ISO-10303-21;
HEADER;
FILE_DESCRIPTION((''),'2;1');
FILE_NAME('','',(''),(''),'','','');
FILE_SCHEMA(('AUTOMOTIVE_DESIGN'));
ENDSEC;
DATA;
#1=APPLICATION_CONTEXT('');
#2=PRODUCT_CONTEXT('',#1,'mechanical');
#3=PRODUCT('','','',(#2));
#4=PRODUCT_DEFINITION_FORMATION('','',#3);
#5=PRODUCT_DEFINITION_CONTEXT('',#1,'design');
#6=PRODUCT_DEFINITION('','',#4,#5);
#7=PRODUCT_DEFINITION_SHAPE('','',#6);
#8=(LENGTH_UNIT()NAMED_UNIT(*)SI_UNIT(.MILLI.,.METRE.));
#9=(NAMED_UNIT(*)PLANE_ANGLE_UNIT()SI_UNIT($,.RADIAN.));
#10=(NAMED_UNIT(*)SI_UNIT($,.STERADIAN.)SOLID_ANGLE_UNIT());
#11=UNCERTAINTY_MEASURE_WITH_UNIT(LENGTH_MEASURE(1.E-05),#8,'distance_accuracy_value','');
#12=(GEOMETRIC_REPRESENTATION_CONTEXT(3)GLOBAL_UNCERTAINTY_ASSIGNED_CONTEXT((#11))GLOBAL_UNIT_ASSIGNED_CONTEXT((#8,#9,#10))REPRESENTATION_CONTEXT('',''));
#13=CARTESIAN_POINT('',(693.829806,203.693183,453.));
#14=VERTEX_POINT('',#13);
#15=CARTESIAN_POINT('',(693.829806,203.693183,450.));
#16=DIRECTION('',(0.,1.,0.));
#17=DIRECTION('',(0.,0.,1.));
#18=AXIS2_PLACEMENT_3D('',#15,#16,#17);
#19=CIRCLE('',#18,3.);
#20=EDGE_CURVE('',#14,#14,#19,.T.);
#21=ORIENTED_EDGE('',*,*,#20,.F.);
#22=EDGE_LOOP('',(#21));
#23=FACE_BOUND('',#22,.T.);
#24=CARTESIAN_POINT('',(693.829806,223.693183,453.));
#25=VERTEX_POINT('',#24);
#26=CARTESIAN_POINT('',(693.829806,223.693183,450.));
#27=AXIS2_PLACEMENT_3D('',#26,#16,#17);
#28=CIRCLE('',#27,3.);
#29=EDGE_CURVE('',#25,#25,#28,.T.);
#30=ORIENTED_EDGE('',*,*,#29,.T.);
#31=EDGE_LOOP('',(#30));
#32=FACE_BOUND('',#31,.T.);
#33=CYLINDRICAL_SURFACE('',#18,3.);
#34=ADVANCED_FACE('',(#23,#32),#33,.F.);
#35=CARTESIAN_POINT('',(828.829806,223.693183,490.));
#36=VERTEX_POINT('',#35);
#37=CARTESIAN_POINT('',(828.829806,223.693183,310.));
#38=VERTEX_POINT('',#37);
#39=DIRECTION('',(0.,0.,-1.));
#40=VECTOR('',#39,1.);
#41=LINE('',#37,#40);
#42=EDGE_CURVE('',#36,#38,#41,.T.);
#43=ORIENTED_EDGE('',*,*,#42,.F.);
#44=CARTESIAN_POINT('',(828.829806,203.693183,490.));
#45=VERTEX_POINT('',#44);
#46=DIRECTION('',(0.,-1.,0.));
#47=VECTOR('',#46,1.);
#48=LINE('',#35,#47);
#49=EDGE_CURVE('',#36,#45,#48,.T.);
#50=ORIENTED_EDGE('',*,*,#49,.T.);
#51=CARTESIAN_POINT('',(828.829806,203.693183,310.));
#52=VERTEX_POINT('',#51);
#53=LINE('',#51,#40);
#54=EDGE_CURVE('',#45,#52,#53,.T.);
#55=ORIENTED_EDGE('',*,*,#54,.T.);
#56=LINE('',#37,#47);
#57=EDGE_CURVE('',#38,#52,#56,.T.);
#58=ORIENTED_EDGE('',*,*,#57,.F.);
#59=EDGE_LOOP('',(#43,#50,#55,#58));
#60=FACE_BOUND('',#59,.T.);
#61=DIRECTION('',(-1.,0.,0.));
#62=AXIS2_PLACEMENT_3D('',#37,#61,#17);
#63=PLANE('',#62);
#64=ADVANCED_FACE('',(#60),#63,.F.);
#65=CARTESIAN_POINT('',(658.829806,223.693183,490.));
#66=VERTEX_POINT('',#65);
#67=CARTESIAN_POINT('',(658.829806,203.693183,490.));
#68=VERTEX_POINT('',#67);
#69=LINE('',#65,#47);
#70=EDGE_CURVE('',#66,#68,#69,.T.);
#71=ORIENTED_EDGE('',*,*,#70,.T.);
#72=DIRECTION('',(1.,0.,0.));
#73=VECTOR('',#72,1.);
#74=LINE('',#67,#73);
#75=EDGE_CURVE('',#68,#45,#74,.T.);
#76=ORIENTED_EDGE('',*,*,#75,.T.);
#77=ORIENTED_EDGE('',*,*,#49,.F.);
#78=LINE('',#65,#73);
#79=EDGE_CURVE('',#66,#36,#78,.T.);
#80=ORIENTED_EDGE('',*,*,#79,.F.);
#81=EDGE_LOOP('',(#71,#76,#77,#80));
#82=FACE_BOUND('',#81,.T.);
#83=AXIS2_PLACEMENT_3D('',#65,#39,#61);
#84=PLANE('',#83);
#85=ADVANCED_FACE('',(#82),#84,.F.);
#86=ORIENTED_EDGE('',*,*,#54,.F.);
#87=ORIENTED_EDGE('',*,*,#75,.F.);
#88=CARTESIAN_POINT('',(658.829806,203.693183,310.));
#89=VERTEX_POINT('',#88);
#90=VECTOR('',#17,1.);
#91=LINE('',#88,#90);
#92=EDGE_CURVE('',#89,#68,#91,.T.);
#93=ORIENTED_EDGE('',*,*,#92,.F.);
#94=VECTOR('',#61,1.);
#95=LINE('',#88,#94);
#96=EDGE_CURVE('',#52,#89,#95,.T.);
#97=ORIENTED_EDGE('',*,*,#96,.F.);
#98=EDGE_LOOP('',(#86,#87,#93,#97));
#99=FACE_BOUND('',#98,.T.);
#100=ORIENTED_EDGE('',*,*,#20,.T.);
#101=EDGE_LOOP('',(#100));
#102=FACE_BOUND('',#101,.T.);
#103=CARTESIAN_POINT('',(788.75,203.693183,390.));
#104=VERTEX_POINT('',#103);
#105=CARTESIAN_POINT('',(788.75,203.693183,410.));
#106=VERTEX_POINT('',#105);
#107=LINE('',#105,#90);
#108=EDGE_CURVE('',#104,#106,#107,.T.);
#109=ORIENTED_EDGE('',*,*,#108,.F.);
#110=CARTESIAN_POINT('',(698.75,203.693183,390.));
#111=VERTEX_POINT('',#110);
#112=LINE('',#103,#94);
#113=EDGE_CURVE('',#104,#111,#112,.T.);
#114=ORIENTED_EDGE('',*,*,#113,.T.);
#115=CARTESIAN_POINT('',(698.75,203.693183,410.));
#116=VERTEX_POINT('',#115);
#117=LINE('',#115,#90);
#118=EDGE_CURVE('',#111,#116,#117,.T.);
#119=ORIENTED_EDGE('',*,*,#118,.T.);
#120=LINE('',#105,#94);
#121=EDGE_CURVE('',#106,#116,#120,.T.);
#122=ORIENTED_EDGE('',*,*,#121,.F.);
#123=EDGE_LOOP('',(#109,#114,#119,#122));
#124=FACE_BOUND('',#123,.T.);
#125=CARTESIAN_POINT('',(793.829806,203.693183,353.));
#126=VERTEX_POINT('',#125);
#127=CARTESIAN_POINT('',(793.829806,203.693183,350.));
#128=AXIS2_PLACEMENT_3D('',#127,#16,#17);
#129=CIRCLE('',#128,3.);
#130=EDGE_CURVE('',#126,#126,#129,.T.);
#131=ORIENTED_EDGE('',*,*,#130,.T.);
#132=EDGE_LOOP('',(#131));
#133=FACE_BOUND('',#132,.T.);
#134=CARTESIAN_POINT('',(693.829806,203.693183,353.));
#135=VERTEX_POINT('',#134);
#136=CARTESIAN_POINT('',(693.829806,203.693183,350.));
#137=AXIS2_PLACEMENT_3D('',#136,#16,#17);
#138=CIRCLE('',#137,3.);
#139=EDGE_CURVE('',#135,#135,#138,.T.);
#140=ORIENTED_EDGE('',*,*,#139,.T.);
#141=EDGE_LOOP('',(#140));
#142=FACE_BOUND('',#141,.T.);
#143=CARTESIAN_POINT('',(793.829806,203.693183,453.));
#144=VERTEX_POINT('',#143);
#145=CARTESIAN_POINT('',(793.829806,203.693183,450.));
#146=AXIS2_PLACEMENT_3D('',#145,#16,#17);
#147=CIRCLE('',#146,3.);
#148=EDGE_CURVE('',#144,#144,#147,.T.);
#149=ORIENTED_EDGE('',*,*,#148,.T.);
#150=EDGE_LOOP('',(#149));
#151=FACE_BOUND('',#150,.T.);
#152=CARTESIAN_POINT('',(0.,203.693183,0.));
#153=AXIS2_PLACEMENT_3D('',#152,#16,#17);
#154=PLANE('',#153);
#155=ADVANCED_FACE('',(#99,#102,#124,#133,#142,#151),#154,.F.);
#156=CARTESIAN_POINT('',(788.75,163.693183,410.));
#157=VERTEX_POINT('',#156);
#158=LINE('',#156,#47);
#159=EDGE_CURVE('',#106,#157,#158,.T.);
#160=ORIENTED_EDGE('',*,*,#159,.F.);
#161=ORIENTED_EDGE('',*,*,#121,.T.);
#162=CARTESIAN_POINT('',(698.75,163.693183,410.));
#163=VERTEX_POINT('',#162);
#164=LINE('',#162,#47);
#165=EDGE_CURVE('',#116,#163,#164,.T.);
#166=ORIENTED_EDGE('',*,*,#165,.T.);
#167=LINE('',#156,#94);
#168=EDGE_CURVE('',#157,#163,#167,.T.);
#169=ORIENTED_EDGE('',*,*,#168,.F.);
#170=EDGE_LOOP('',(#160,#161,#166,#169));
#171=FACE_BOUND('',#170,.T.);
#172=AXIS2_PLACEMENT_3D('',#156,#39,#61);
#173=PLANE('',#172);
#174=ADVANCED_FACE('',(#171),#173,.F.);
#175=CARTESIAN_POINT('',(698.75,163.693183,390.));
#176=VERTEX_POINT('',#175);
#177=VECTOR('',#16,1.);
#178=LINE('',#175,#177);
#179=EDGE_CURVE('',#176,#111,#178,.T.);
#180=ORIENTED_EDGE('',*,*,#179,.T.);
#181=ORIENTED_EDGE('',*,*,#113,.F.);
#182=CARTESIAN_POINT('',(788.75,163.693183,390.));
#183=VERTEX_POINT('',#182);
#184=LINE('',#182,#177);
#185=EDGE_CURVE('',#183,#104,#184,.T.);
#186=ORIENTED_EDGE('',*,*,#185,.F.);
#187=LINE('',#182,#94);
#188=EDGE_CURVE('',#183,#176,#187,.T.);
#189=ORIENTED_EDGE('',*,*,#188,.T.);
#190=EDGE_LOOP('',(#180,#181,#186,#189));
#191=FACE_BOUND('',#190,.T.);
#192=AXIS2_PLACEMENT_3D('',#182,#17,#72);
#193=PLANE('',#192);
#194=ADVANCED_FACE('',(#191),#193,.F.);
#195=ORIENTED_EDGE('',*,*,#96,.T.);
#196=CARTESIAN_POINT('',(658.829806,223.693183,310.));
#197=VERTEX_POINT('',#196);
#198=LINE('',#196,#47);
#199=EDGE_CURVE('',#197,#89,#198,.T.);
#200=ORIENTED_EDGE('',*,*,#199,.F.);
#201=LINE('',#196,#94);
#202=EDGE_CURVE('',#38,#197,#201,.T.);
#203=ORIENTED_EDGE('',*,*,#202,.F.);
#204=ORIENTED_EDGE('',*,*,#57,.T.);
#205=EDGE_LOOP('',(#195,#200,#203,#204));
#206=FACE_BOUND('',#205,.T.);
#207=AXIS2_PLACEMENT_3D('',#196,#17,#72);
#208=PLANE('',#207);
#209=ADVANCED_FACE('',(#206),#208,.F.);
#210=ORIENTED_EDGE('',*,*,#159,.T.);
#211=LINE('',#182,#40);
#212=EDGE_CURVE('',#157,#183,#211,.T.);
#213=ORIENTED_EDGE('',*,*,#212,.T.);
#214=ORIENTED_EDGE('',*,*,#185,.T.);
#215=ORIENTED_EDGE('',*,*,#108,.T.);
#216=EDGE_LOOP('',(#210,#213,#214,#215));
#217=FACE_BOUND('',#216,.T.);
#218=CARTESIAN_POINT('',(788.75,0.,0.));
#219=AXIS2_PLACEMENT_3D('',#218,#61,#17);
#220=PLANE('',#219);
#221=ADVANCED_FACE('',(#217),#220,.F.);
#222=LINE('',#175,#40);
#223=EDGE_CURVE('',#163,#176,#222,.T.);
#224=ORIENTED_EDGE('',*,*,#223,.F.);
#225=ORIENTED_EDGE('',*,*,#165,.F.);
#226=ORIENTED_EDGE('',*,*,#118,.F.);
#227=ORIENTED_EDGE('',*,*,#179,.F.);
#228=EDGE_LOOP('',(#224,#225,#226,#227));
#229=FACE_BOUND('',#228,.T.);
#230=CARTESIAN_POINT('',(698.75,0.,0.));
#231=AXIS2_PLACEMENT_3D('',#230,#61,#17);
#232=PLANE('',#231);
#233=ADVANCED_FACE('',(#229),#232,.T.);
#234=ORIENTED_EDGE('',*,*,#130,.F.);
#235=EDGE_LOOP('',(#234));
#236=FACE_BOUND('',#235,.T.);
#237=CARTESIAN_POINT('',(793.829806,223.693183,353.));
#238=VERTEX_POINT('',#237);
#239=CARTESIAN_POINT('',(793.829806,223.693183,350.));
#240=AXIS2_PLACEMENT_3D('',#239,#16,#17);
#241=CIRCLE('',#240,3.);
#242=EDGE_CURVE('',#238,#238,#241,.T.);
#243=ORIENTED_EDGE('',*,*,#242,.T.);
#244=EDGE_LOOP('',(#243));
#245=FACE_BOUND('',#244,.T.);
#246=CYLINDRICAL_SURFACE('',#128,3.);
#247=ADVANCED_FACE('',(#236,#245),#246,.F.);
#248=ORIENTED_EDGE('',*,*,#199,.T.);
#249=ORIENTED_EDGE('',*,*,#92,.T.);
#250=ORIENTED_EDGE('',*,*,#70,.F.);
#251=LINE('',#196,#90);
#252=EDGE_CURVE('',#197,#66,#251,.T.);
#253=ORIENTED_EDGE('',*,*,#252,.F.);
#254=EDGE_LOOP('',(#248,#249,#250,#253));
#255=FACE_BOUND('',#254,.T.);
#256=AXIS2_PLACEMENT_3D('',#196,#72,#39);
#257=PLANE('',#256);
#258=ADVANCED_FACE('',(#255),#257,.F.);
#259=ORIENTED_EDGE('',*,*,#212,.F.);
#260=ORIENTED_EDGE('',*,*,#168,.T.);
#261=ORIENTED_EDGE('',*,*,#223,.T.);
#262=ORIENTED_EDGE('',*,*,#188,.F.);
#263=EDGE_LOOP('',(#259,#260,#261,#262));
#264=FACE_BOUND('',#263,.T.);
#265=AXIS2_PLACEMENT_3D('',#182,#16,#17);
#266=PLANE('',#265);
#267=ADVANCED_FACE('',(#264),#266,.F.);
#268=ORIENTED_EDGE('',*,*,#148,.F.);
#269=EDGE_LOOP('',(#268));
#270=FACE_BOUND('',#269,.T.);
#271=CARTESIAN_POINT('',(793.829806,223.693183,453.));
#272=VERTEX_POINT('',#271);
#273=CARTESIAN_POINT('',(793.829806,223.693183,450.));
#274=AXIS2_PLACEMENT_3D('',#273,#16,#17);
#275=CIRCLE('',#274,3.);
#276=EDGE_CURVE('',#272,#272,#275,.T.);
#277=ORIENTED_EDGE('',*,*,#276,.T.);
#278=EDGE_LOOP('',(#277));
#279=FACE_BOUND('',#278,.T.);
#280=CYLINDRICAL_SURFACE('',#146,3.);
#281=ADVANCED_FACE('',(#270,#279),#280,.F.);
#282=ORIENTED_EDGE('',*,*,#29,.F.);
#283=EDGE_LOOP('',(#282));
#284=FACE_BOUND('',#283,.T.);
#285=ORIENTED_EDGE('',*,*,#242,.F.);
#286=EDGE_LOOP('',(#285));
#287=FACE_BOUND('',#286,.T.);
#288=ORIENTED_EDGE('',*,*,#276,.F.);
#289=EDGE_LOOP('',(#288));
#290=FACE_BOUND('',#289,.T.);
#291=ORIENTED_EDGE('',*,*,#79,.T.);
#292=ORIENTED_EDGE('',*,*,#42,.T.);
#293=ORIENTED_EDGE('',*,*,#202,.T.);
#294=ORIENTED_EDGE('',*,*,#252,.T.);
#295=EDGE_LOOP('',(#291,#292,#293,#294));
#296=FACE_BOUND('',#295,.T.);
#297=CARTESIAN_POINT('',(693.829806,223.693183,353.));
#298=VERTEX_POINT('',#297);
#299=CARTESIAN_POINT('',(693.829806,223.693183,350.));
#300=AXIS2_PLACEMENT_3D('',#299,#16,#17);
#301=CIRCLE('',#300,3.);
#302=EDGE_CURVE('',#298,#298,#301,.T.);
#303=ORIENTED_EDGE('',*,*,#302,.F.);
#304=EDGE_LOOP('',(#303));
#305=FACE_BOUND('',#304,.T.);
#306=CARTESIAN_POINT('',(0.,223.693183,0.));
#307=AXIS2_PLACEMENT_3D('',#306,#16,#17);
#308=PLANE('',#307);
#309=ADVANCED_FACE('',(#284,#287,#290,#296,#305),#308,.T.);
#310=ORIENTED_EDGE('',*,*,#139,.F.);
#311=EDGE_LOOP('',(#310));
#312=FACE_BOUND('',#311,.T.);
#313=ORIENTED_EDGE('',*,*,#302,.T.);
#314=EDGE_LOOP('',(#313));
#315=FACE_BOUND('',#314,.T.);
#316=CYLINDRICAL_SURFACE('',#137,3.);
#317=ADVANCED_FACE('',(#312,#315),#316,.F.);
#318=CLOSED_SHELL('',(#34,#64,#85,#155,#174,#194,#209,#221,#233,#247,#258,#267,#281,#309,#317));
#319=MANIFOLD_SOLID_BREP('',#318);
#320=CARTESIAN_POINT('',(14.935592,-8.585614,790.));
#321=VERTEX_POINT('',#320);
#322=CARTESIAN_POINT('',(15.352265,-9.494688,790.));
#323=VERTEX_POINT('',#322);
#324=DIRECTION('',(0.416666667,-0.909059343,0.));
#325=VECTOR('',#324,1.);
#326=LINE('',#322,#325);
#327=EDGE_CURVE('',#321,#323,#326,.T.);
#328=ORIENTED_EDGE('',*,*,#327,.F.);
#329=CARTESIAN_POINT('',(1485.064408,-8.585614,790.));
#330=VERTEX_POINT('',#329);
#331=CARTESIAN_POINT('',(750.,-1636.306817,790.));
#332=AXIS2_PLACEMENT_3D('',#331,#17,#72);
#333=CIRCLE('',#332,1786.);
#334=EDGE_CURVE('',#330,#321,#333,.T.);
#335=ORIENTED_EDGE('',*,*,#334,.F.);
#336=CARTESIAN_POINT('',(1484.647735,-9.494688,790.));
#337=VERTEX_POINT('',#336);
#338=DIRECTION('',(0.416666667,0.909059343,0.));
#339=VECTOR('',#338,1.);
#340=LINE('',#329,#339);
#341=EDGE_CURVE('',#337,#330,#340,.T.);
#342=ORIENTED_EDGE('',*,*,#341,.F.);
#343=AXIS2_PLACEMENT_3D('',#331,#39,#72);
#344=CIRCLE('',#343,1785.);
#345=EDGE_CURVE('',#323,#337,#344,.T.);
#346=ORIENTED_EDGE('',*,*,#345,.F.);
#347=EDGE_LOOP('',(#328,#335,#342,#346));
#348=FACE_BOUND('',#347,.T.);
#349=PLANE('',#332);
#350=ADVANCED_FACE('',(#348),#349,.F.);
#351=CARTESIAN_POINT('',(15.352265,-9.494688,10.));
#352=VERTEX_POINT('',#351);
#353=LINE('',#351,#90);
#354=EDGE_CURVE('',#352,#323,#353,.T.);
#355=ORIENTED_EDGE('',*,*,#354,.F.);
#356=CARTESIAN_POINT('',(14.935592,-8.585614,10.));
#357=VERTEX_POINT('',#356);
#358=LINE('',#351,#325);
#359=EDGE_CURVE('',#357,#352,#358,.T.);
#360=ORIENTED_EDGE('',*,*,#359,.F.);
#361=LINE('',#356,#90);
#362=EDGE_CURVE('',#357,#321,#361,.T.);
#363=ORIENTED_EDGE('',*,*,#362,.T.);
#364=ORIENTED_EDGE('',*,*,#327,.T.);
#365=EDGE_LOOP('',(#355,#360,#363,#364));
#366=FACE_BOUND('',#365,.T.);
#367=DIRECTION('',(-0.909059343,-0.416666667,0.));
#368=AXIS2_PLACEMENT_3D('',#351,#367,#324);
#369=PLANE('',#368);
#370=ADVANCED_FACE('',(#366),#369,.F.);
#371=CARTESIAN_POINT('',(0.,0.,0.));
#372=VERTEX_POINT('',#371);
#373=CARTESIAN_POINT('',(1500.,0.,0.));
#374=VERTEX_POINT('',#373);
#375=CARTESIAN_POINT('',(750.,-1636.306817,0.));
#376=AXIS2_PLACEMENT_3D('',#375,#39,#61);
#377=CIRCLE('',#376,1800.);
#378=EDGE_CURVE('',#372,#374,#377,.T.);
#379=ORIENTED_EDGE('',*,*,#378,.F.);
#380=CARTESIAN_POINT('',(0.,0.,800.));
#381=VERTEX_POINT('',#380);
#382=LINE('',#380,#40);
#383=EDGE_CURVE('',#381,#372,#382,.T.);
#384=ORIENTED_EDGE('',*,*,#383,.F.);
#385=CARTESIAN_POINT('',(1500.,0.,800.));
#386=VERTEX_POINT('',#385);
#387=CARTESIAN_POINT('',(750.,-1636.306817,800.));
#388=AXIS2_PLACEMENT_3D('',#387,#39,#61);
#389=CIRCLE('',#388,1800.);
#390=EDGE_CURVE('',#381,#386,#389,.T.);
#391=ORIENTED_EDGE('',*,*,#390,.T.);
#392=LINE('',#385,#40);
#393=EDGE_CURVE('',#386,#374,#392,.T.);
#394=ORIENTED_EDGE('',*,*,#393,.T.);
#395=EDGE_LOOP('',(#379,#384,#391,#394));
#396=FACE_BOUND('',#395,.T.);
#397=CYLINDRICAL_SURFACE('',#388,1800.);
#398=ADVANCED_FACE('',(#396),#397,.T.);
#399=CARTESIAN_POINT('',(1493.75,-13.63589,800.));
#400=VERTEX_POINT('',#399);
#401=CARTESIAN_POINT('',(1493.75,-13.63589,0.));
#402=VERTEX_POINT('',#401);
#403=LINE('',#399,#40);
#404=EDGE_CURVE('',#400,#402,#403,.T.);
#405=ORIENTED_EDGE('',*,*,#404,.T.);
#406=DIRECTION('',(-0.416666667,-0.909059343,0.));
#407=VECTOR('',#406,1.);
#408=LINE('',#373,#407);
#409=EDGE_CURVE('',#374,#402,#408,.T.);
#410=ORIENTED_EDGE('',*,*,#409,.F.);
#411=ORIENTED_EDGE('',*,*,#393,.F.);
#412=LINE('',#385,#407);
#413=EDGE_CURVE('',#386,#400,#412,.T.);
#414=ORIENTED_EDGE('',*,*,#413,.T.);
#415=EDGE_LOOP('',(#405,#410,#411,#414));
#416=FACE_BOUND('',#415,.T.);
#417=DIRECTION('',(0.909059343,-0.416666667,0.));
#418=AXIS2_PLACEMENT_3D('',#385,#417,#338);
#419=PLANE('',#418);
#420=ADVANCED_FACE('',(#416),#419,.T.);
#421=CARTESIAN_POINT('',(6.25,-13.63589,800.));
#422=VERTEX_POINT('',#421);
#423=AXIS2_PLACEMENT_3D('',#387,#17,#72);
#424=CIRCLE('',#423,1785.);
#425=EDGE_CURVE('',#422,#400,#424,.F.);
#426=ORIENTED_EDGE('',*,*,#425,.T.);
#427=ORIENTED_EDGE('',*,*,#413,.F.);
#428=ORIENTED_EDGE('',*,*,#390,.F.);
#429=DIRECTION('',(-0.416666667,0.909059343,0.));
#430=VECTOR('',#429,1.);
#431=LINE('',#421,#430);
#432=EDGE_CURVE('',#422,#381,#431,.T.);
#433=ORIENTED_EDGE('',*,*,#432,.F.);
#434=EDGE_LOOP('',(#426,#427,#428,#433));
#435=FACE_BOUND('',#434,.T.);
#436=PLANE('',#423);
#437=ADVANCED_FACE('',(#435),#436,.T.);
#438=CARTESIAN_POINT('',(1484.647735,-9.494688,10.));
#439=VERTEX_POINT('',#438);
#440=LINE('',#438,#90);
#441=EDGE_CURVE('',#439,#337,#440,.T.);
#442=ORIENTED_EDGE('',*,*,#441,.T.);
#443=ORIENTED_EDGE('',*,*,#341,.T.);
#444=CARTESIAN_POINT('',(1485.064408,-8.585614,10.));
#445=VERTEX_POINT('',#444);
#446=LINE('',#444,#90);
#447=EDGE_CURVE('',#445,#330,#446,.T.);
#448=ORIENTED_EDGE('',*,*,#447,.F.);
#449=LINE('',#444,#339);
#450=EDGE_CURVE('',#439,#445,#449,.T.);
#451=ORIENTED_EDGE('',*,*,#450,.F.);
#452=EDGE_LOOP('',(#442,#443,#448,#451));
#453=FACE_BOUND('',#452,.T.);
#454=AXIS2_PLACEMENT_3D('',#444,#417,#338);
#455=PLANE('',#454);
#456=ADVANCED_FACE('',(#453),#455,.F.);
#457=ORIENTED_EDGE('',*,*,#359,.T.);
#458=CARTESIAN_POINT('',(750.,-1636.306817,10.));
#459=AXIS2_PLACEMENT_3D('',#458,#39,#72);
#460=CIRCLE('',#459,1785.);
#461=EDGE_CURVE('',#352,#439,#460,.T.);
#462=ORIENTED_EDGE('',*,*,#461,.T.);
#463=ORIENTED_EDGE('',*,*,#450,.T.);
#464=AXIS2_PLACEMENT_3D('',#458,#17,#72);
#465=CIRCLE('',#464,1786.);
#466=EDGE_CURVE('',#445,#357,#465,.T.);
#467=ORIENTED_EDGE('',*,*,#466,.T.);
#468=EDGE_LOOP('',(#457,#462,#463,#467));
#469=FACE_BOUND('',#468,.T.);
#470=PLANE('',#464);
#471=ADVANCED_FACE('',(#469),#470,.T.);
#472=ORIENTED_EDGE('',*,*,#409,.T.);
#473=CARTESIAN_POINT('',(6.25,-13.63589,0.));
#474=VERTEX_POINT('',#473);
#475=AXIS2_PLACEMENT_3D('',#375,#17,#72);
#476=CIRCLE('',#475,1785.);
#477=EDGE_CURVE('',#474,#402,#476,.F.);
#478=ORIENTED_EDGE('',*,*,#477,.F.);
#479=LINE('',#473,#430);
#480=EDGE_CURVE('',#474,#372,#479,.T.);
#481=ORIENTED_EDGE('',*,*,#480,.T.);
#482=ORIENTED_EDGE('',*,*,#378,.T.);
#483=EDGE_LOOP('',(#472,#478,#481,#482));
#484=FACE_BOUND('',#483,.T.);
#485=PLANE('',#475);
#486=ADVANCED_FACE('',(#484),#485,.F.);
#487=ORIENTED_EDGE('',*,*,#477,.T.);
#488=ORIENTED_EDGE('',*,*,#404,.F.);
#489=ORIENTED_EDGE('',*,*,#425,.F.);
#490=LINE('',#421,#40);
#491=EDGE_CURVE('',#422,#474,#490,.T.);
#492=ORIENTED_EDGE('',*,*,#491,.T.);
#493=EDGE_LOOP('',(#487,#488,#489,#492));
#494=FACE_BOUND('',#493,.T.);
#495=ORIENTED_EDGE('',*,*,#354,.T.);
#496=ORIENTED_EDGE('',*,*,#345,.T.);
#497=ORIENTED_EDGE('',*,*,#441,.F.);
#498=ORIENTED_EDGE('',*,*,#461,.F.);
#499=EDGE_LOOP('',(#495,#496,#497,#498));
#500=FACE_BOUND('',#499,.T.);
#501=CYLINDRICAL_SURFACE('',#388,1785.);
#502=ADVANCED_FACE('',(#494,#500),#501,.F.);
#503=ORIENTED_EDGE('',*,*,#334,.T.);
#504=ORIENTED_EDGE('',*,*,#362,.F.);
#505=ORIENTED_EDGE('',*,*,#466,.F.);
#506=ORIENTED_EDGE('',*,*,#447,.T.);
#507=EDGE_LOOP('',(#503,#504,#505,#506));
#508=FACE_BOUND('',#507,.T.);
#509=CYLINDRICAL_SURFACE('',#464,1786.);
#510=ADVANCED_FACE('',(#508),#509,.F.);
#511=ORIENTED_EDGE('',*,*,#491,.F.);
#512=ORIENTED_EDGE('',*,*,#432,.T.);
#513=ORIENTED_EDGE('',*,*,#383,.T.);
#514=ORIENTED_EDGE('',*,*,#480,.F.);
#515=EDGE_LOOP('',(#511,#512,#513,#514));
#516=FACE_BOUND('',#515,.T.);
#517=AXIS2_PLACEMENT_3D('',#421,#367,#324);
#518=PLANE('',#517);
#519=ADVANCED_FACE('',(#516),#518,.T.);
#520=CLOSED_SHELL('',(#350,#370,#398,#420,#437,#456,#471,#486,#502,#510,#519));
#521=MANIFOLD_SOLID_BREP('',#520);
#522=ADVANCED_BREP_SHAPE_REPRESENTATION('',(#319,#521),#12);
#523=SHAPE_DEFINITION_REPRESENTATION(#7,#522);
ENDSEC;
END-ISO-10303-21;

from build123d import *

# Parameters (mm, degrees)
EXTRU_MINCE1_DEPTH      = 800
ENL_V_START             = -790
ENL_V_MAT_EXTRU_1_DEPTH = 780
SKETCH2_W               = 20
SKETCH2_H               = 40
BOSS_EXTRUDE1_DEPTH     = 45
SKETCH3_W               = 170
SKETCH3_H               = 180
BOSS_EXTRUDE2_DEPTH     = 20
SKETCH4_R               = 3
CUT_EXTRUDE1_DEPTH      = 20


with BuildPart() as part:
    # Esquisse1 → Extru.-Mince1 (new body)
    with BuildSketch(Plane.XY):
        with BuildLine():
            ThreePointArc((0, 0), (750, 163.693182805), (1500, 0))
            Line((1500, 0), (1493.75, -13.635890143))
            ThreePointArc((1493.75, -13.635890143), (750, 148.693182805), (6.25, -13.635890143))
            Line((6.25, -13.635890143), (0, 0))
        make_face()
    extrude(amount=EXTRU_MINCE1_DEPTH)

    # Esquisse2 → Enlèv. mat.-Extru.1 (cut)
    with BuildSketch(Plane.XY.offset(800).offset(ENL_V_START)):
        with BuildLine():
            Line((15.352264856, -9.494687524), (14.935591654, -8.585613923))
            ThreePointArc((14.935591654, -8.585613923), (750, 149.693182805), (1485.064408346, -8.585613923))
            Line((1485.064408346, -8.585613923), (1484.647735144, -9.494687524))
            ThreePointArc((1484.647735144, -9.494687524), (750, 148.693182805), (15.352264856, -9.494687524))
        make_face()
    extrude(amount=ENL_V_MAT_EXTRU_1_DEPTH, mode=Mode.SUBTRACT)


with BuildPart() as body_2:
    # Sketch2 → Boss-Extrude1 (new, symmetric)
    with BuildSketch(Plane(origin=(743.75, 0, 0), x_dir=(0, 0, -1), z_dir=(1, 0, 0))):
        with Locations((-400, 183.693182805)):
            Rectangle(SKETCH2_W, SKETCH2_H)
    extrude(amount=BOSS_EXTRUDE1_DEPTH, both=True)

    # Sketch3 → Boss-Extrude2 (add)
    with BuildSketch(Plane(origin=(0, 203.693182805, 0), x_dir=(1, 0, 0), z_dir=(0, 1, 0))):
        with Locations((743.829806204, -400)):
            Rectangle(SKETCH3_W, SKETCH3_H)
    extrude(amount=BOSS_EXTRUDE2_DEPTH)

    # Sketch4 → Cut-Extrude1 (cut)
    with BuildSketch(Plane(origin=(0, 223.693182805, 0), x_dir=(1, 0, 0), z_dir=(0, 1, 0))):
        with Locations(Location((693.829806204, -450, 0), (0, 0, 270))):
            Circle(SKETCH4_R)
        with Locations(Location((793.829806204, -450, 0), (0, 0, 270))):
            Circle(SKETCH4_R)
        with Locations(Location((693.829806204, -350, 0), (0, 0, 270))):
            Circle(SKETCH4_R)
        with Locations(Location((793.829806204, -350, 0), (0, 0, 270))):
            Circle(SKETCH4_R)
    extrude(amount=-CUT_EXTRUDE1_DEPTH, mode=Mode.SUBTRACT)


solid = Compound([part.part, body_2.part])
